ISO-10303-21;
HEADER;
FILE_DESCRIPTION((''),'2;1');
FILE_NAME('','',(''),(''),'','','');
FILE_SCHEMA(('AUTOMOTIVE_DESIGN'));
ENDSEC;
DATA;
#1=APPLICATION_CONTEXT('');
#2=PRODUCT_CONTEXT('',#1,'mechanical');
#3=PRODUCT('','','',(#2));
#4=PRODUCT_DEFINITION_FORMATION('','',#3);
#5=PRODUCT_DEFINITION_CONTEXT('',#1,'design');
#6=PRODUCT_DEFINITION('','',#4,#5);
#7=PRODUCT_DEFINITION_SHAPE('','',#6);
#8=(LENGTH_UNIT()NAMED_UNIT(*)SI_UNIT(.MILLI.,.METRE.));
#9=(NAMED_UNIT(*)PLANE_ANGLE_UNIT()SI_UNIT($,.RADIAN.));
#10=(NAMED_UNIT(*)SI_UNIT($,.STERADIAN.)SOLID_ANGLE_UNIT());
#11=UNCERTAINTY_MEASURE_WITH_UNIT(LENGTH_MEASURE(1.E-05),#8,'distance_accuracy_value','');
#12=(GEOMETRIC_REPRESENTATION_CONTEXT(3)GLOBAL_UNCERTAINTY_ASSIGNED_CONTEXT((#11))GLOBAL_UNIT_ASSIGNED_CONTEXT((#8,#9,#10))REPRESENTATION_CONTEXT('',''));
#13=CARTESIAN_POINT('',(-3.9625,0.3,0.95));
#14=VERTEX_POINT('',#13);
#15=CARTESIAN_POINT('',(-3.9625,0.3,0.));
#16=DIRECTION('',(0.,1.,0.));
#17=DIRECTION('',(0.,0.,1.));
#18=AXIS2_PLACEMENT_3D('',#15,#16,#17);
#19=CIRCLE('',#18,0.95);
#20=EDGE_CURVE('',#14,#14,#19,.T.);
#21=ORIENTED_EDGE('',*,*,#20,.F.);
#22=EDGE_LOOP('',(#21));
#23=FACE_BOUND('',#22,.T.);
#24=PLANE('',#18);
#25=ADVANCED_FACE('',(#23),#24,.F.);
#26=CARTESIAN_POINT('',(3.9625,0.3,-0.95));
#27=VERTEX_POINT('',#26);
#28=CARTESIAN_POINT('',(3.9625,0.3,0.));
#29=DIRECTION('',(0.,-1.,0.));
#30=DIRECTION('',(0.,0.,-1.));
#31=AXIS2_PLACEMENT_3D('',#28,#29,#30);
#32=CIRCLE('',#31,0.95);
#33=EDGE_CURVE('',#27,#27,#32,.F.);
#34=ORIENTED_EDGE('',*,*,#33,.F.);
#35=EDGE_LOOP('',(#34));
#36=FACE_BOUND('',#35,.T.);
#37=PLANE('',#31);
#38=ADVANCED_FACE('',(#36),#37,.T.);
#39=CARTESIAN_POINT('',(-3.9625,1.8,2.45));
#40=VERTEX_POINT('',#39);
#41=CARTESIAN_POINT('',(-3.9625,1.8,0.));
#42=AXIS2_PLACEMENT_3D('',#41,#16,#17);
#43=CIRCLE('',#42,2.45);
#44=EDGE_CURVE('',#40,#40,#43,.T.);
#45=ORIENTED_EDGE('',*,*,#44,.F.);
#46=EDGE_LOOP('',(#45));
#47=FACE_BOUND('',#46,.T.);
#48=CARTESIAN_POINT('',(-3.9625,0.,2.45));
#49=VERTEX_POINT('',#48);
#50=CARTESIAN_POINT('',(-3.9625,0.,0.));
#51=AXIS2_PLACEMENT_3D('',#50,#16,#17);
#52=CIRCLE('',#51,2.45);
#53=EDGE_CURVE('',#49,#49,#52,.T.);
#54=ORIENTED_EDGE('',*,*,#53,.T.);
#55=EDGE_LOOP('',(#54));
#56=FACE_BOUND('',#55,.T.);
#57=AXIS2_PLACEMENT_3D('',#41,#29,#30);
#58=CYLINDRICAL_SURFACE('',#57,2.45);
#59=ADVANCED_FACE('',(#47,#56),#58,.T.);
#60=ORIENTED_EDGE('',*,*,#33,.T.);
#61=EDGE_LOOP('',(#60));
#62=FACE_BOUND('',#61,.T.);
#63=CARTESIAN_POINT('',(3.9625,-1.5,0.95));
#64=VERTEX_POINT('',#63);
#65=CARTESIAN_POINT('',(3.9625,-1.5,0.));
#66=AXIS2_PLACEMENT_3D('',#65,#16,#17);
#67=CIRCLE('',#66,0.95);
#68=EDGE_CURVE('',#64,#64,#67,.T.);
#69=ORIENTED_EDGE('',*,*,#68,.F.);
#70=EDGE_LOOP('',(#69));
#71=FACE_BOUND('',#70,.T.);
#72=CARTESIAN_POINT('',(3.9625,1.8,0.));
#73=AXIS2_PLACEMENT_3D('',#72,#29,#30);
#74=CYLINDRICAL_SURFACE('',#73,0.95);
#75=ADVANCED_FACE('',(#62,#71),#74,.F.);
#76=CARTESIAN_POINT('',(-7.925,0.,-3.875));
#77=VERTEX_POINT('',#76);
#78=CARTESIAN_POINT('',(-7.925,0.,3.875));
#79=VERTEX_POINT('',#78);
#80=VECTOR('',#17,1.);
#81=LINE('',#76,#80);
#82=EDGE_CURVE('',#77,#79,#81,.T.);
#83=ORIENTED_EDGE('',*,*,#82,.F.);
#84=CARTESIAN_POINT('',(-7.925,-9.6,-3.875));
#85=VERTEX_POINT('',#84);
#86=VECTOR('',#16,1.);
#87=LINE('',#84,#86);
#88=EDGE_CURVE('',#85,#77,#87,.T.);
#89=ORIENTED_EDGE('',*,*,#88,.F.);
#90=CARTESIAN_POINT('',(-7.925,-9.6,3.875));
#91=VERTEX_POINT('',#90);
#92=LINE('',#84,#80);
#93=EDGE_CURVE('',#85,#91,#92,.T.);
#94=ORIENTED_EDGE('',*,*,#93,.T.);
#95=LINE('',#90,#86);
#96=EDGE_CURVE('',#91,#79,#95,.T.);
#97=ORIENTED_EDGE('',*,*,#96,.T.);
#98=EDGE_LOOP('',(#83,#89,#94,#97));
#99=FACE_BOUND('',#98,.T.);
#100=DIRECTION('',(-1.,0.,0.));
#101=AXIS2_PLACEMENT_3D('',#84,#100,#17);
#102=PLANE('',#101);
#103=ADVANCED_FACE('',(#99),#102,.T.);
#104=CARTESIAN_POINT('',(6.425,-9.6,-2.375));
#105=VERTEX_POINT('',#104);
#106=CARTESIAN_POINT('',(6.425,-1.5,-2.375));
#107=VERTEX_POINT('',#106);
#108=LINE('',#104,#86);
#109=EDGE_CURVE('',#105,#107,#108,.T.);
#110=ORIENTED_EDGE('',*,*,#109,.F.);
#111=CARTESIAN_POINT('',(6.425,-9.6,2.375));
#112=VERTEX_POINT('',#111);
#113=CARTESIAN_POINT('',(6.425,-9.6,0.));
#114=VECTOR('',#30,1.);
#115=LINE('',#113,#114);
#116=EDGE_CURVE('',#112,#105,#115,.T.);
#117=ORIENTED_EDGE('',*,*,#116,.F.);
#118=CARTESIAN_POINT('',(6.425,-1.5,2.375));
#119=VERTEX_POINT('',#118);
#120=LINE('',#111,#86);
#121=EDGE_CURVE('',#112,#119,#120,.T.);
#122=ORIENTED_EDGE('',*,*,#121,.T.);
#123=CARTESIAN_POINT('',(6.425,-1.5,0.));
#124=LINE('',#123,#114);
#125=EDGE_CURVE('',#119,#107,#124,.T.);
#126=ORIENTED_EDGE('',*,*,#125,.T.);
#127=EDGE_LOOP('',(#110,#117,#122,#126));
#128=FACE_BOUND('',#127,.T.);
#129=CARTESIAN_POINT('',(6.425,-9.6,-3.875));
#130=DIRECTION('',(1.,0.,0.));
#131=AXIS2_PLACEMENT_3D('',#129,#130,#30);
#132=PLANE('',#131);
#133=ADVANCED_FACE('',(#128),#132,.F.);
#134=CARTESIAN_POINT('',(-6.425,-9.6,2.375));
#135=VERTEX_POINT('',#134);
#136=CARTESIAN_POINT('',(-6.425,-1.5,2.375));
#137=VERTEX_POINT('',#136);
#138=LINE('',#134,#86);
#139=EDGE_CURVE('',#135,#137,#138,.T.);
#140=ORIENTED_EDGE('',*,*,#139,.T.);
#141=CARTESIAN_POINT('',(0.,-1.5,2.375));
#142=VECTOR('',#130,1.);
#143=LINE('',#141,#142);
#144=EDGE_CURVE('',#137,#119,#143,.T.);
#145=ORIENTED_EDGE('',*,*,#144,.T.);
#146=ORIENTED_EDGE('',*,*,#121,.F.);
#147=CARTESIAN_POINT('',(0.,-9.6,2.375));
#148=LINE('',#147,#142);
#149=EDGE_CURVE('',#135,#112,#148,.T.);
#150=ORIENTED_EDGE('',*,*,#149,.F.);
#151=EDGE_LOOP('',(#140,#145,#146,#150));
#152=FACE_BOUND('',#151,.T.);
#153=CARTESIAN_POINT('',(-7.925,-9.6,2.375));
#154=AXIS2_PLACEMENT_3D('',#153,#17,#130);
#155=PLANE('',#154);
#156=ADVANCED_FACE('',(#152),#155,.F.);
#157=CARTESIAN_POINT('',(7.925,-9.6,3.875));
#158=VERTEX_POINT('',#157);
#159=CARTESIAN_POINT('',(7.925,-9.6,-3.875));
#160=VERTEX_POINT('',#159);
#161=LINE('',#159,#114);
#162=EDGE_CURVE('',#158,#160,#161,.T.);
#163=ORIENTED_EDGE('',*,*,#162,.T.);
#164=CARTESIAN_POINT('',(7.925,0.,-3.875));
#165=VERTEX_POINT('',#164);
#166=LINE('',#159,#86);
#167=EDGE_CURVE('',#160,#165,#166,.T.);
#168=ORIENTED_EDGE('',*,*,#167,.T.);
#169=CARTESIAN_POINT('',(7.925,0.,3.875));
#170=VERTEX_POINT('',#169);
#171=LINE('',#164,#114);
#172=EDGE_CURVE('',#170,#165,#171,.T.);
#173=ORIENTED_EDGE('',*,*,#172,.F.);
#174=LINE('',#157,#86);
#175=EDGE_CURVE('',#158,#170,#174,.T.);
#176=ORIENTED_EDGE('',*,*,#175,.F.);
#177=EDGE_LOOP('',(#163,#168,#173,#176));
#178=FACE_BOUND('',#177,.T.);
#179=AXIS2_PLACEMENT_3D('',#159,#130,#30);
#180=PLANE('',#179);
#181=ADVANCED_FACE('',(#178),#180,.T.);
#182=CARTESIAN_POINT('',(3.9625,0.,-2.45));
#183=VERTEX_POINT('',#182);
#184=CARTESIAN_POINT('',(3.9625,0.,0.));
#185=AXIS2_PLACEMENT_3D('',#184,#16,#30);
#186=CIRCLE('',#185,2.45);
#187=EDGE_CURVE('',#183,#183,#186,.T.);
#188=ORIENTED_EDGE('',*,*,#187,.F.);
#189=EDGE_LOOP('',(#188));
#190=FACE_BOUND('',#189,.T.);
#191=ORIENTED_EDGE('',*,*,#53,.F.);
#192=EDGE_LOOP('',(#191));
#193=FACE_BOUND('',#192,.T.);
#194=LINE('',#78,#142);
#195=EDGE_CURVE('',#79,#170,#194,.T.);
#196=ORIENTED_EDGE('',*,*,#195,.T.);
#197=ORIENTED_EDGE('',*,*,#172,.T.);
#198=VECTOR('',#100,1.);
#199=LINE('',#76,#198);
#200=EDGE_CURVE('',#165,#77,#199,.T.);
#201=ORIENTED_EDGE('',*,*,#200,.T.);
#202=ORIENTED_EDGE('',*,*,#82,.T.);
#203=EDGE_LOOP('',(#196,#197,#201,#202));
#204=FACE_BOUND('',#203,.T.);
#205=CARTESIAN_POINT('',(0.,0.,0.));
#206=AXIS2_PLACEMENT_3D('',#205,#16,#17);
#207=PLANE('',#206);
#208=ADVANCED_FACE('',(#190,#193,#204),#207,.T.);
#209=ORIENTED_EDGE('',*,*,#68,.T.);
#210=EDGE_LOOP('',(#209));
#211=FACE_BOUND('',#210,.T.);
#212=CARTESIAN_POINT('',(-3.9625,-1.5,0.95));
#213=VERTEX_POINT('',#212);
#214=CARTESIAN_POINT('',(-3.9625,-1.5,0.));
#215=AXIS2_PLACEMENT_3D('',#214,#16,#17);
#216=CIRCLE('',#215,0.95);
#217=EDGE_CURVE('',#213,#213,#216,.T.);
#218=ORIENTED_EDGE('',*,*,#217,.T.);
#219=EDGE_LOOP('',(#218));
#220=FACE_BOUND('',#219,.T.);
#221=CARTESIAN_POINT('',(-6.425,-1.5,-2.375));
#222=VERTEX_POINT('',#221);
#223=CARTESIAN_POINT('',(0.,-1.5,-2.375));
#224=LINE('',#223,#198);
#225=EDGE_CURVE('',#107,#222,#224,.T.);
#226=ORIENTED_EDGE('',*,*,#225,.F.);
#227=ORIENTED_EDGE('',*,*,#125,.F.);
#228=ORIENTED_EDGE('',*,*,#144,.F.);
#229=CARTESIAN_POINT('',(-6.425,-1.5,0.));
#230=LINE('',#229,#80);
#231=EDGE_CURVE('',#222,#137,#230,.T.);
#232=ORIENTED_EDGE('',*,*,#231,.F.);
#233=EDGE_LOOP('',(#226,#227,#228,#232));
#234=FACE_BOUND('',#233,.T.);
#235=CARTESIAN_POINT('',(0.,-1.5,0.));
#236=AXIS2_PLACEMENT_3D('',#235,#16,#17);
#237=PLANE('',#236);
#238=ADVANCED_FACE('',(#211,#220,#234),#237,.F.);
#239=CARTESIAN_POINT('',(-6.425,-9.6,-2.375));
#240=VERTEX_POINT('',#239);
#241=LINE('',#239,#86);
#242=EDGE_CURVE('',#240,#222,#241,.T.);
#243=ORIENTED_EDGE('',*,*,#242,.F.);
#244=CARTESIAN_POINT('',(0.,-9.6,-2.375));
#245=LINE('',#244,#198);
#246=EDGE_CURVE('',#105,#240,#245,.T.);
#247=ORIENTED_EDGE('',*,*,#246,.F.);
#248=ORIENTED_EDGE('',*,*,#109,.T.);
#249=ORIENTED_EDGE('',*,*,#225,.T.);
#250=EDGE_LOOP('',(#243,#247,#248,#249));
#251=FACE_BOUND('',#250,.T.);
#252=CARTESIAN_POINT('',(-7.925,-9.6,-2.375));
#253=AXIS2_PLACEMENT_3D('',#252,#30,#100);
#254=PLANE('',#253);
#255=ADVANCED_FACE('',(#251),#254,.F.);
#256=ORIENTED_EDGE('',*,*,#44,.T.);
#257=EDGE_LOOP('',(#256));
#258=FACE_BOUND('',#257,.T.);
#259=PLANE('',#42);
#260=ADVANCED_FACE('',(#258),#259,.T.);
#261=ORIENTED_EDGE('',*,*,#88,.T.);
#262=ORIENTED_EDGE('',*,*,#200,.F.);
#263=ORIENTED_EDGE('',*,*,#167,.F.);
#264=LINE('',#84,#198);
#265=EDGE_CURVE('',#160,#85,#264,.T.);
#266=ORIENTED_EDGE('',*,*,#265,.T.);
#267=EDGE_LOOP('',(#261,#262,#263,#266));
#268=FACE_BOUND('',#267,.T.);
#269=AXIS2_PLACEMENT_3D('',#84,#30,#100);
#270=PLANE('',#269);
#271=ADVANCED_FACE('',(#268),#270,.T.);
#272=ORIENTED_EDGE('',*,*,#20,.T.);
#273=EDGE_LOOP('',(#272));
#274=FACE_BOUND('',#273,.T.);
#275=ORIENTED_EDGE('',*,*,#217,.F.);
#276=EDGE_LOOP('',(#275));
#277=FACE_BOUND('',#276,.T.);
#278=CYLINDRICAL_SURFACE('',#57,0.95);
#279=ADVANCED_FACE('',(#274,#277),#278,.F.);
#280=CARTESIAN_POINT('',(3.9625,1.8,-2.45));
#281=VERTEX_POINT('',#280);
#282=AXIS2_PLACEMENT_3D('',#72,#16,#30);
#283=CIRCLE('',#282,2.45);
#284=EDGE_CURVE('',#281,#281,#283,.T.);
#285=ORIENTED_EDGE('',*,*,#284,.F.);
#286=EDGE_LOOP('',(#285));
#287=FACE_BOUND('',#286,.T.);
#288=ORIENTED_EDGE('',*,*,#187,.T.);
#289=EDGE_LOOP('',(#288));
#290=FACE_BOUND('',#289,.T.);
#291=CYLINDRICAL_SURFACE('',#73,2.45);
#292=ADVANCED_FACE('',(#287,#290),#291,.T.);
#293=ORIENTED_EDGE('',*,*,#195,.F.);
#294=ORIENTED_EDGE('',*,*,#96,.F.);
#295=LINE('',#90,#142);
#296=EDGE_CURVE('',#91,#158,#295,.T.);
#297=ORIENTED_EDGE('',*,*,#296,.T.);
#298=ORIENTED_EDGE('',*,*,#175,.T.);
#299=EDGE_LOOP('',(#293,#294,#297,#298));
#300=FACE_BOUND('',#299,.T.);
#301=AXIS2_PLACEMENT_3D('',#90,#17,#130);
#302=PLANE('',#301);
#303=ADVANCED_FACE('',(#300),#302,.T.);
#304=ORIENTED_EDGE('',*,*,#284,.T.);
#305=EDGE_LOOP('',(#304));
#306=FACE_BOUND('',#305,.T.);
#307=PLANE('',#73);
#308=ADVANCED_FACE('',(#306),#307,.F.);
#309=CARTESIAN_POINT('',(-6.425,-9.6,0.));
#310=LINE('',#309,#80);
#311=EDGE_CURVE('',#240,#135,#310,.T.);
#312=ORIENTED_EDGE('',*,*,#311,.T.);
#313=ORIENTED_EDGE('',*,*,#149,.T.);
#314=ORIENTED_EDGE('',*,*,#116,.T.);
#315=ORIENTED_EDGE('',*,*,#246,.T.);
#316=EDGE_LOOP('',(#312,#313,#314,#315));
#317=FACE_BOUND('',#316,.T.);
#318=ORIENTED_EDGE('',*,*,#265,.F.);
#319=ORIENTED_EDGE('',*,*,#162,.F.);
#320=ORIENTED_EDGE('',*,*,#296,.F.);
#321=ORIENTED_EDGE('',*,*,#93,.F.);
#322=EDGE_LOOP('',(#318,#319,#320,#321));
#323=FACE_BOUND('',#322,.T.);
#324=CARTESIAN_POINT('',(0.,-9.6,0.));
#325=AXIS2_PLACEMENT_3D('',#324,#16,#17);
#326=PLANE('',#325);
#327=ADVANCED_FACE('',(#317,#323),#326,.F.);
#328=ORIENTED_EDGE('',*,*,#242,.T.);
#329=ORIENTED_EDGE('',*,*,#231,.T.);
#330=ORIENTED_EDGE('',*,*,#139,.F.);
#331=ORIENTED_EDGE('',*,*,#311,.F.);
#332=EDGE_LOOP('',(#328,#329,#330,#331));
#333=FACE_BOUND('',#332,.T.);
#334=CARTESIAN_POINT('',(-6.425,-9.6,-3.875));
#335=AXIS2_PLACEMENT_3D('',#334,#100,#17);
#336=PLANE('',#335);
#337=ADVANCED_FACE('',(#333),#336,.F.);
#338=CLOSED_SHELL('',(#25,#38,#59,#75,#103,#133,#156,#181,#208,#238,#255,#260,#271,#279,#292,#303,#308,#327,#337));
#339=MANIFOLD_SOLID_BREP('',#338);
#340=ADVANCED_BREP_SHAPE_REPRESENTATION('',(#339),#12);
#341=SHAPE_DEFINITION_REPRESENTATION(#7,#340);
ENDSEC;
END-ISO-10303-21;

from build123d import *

# Parameters (mm, degrees)
SKETCH1_W           = 15.85
SKETCH1_H           = 7.75
BOSS_EXTRUDE1_DEPTH = 9.6
SKETCH2_R           = 2.45
BOSS_EXTRUDE2_DEPTH = 1.8
SHELL1_T            = -1.5


with BuildPart() as part:
    # Sketch1 → Boss-Extrude1 (new body)
    with BuildSketch(Plane(origin=(0, 0, 0), x_dir=(1, 0, 0), z_dir=(0, 1, 0))):
        Rectangle(SKETCH1_W, SKETCH1_H)
    extrude(amount=-BOSS_EXTRUDE1_DEPTH)

    # Sketch2 → Boss-Extrude2 (add)
    with BuildSketch(Plane(origin=(0, 0, 0), x_dir=(1, 0, 0), z_dir=(0, 1, 0))):
        with Locations(Location((-3.9625, 0, 0), (0, 0, 270))):
            Circle(SKETCH2_R)
        with Locations(Location((3.9625, 0, 0), (0, 0, 90))):
            Circle(SKETCH2_R)
    extrude(amount=BOSS_EXTRUDE2_DEPTH)

    # Shell1
    shell1_openings = [part.faces().sort_by_distance(p)[0] for p in [
        (0, -9.6, 0),
    ]]
    offset(amount=SHELL1_T, openings=shell1_openings, kind=Kind.INTERSECTION)


solid = part.part
